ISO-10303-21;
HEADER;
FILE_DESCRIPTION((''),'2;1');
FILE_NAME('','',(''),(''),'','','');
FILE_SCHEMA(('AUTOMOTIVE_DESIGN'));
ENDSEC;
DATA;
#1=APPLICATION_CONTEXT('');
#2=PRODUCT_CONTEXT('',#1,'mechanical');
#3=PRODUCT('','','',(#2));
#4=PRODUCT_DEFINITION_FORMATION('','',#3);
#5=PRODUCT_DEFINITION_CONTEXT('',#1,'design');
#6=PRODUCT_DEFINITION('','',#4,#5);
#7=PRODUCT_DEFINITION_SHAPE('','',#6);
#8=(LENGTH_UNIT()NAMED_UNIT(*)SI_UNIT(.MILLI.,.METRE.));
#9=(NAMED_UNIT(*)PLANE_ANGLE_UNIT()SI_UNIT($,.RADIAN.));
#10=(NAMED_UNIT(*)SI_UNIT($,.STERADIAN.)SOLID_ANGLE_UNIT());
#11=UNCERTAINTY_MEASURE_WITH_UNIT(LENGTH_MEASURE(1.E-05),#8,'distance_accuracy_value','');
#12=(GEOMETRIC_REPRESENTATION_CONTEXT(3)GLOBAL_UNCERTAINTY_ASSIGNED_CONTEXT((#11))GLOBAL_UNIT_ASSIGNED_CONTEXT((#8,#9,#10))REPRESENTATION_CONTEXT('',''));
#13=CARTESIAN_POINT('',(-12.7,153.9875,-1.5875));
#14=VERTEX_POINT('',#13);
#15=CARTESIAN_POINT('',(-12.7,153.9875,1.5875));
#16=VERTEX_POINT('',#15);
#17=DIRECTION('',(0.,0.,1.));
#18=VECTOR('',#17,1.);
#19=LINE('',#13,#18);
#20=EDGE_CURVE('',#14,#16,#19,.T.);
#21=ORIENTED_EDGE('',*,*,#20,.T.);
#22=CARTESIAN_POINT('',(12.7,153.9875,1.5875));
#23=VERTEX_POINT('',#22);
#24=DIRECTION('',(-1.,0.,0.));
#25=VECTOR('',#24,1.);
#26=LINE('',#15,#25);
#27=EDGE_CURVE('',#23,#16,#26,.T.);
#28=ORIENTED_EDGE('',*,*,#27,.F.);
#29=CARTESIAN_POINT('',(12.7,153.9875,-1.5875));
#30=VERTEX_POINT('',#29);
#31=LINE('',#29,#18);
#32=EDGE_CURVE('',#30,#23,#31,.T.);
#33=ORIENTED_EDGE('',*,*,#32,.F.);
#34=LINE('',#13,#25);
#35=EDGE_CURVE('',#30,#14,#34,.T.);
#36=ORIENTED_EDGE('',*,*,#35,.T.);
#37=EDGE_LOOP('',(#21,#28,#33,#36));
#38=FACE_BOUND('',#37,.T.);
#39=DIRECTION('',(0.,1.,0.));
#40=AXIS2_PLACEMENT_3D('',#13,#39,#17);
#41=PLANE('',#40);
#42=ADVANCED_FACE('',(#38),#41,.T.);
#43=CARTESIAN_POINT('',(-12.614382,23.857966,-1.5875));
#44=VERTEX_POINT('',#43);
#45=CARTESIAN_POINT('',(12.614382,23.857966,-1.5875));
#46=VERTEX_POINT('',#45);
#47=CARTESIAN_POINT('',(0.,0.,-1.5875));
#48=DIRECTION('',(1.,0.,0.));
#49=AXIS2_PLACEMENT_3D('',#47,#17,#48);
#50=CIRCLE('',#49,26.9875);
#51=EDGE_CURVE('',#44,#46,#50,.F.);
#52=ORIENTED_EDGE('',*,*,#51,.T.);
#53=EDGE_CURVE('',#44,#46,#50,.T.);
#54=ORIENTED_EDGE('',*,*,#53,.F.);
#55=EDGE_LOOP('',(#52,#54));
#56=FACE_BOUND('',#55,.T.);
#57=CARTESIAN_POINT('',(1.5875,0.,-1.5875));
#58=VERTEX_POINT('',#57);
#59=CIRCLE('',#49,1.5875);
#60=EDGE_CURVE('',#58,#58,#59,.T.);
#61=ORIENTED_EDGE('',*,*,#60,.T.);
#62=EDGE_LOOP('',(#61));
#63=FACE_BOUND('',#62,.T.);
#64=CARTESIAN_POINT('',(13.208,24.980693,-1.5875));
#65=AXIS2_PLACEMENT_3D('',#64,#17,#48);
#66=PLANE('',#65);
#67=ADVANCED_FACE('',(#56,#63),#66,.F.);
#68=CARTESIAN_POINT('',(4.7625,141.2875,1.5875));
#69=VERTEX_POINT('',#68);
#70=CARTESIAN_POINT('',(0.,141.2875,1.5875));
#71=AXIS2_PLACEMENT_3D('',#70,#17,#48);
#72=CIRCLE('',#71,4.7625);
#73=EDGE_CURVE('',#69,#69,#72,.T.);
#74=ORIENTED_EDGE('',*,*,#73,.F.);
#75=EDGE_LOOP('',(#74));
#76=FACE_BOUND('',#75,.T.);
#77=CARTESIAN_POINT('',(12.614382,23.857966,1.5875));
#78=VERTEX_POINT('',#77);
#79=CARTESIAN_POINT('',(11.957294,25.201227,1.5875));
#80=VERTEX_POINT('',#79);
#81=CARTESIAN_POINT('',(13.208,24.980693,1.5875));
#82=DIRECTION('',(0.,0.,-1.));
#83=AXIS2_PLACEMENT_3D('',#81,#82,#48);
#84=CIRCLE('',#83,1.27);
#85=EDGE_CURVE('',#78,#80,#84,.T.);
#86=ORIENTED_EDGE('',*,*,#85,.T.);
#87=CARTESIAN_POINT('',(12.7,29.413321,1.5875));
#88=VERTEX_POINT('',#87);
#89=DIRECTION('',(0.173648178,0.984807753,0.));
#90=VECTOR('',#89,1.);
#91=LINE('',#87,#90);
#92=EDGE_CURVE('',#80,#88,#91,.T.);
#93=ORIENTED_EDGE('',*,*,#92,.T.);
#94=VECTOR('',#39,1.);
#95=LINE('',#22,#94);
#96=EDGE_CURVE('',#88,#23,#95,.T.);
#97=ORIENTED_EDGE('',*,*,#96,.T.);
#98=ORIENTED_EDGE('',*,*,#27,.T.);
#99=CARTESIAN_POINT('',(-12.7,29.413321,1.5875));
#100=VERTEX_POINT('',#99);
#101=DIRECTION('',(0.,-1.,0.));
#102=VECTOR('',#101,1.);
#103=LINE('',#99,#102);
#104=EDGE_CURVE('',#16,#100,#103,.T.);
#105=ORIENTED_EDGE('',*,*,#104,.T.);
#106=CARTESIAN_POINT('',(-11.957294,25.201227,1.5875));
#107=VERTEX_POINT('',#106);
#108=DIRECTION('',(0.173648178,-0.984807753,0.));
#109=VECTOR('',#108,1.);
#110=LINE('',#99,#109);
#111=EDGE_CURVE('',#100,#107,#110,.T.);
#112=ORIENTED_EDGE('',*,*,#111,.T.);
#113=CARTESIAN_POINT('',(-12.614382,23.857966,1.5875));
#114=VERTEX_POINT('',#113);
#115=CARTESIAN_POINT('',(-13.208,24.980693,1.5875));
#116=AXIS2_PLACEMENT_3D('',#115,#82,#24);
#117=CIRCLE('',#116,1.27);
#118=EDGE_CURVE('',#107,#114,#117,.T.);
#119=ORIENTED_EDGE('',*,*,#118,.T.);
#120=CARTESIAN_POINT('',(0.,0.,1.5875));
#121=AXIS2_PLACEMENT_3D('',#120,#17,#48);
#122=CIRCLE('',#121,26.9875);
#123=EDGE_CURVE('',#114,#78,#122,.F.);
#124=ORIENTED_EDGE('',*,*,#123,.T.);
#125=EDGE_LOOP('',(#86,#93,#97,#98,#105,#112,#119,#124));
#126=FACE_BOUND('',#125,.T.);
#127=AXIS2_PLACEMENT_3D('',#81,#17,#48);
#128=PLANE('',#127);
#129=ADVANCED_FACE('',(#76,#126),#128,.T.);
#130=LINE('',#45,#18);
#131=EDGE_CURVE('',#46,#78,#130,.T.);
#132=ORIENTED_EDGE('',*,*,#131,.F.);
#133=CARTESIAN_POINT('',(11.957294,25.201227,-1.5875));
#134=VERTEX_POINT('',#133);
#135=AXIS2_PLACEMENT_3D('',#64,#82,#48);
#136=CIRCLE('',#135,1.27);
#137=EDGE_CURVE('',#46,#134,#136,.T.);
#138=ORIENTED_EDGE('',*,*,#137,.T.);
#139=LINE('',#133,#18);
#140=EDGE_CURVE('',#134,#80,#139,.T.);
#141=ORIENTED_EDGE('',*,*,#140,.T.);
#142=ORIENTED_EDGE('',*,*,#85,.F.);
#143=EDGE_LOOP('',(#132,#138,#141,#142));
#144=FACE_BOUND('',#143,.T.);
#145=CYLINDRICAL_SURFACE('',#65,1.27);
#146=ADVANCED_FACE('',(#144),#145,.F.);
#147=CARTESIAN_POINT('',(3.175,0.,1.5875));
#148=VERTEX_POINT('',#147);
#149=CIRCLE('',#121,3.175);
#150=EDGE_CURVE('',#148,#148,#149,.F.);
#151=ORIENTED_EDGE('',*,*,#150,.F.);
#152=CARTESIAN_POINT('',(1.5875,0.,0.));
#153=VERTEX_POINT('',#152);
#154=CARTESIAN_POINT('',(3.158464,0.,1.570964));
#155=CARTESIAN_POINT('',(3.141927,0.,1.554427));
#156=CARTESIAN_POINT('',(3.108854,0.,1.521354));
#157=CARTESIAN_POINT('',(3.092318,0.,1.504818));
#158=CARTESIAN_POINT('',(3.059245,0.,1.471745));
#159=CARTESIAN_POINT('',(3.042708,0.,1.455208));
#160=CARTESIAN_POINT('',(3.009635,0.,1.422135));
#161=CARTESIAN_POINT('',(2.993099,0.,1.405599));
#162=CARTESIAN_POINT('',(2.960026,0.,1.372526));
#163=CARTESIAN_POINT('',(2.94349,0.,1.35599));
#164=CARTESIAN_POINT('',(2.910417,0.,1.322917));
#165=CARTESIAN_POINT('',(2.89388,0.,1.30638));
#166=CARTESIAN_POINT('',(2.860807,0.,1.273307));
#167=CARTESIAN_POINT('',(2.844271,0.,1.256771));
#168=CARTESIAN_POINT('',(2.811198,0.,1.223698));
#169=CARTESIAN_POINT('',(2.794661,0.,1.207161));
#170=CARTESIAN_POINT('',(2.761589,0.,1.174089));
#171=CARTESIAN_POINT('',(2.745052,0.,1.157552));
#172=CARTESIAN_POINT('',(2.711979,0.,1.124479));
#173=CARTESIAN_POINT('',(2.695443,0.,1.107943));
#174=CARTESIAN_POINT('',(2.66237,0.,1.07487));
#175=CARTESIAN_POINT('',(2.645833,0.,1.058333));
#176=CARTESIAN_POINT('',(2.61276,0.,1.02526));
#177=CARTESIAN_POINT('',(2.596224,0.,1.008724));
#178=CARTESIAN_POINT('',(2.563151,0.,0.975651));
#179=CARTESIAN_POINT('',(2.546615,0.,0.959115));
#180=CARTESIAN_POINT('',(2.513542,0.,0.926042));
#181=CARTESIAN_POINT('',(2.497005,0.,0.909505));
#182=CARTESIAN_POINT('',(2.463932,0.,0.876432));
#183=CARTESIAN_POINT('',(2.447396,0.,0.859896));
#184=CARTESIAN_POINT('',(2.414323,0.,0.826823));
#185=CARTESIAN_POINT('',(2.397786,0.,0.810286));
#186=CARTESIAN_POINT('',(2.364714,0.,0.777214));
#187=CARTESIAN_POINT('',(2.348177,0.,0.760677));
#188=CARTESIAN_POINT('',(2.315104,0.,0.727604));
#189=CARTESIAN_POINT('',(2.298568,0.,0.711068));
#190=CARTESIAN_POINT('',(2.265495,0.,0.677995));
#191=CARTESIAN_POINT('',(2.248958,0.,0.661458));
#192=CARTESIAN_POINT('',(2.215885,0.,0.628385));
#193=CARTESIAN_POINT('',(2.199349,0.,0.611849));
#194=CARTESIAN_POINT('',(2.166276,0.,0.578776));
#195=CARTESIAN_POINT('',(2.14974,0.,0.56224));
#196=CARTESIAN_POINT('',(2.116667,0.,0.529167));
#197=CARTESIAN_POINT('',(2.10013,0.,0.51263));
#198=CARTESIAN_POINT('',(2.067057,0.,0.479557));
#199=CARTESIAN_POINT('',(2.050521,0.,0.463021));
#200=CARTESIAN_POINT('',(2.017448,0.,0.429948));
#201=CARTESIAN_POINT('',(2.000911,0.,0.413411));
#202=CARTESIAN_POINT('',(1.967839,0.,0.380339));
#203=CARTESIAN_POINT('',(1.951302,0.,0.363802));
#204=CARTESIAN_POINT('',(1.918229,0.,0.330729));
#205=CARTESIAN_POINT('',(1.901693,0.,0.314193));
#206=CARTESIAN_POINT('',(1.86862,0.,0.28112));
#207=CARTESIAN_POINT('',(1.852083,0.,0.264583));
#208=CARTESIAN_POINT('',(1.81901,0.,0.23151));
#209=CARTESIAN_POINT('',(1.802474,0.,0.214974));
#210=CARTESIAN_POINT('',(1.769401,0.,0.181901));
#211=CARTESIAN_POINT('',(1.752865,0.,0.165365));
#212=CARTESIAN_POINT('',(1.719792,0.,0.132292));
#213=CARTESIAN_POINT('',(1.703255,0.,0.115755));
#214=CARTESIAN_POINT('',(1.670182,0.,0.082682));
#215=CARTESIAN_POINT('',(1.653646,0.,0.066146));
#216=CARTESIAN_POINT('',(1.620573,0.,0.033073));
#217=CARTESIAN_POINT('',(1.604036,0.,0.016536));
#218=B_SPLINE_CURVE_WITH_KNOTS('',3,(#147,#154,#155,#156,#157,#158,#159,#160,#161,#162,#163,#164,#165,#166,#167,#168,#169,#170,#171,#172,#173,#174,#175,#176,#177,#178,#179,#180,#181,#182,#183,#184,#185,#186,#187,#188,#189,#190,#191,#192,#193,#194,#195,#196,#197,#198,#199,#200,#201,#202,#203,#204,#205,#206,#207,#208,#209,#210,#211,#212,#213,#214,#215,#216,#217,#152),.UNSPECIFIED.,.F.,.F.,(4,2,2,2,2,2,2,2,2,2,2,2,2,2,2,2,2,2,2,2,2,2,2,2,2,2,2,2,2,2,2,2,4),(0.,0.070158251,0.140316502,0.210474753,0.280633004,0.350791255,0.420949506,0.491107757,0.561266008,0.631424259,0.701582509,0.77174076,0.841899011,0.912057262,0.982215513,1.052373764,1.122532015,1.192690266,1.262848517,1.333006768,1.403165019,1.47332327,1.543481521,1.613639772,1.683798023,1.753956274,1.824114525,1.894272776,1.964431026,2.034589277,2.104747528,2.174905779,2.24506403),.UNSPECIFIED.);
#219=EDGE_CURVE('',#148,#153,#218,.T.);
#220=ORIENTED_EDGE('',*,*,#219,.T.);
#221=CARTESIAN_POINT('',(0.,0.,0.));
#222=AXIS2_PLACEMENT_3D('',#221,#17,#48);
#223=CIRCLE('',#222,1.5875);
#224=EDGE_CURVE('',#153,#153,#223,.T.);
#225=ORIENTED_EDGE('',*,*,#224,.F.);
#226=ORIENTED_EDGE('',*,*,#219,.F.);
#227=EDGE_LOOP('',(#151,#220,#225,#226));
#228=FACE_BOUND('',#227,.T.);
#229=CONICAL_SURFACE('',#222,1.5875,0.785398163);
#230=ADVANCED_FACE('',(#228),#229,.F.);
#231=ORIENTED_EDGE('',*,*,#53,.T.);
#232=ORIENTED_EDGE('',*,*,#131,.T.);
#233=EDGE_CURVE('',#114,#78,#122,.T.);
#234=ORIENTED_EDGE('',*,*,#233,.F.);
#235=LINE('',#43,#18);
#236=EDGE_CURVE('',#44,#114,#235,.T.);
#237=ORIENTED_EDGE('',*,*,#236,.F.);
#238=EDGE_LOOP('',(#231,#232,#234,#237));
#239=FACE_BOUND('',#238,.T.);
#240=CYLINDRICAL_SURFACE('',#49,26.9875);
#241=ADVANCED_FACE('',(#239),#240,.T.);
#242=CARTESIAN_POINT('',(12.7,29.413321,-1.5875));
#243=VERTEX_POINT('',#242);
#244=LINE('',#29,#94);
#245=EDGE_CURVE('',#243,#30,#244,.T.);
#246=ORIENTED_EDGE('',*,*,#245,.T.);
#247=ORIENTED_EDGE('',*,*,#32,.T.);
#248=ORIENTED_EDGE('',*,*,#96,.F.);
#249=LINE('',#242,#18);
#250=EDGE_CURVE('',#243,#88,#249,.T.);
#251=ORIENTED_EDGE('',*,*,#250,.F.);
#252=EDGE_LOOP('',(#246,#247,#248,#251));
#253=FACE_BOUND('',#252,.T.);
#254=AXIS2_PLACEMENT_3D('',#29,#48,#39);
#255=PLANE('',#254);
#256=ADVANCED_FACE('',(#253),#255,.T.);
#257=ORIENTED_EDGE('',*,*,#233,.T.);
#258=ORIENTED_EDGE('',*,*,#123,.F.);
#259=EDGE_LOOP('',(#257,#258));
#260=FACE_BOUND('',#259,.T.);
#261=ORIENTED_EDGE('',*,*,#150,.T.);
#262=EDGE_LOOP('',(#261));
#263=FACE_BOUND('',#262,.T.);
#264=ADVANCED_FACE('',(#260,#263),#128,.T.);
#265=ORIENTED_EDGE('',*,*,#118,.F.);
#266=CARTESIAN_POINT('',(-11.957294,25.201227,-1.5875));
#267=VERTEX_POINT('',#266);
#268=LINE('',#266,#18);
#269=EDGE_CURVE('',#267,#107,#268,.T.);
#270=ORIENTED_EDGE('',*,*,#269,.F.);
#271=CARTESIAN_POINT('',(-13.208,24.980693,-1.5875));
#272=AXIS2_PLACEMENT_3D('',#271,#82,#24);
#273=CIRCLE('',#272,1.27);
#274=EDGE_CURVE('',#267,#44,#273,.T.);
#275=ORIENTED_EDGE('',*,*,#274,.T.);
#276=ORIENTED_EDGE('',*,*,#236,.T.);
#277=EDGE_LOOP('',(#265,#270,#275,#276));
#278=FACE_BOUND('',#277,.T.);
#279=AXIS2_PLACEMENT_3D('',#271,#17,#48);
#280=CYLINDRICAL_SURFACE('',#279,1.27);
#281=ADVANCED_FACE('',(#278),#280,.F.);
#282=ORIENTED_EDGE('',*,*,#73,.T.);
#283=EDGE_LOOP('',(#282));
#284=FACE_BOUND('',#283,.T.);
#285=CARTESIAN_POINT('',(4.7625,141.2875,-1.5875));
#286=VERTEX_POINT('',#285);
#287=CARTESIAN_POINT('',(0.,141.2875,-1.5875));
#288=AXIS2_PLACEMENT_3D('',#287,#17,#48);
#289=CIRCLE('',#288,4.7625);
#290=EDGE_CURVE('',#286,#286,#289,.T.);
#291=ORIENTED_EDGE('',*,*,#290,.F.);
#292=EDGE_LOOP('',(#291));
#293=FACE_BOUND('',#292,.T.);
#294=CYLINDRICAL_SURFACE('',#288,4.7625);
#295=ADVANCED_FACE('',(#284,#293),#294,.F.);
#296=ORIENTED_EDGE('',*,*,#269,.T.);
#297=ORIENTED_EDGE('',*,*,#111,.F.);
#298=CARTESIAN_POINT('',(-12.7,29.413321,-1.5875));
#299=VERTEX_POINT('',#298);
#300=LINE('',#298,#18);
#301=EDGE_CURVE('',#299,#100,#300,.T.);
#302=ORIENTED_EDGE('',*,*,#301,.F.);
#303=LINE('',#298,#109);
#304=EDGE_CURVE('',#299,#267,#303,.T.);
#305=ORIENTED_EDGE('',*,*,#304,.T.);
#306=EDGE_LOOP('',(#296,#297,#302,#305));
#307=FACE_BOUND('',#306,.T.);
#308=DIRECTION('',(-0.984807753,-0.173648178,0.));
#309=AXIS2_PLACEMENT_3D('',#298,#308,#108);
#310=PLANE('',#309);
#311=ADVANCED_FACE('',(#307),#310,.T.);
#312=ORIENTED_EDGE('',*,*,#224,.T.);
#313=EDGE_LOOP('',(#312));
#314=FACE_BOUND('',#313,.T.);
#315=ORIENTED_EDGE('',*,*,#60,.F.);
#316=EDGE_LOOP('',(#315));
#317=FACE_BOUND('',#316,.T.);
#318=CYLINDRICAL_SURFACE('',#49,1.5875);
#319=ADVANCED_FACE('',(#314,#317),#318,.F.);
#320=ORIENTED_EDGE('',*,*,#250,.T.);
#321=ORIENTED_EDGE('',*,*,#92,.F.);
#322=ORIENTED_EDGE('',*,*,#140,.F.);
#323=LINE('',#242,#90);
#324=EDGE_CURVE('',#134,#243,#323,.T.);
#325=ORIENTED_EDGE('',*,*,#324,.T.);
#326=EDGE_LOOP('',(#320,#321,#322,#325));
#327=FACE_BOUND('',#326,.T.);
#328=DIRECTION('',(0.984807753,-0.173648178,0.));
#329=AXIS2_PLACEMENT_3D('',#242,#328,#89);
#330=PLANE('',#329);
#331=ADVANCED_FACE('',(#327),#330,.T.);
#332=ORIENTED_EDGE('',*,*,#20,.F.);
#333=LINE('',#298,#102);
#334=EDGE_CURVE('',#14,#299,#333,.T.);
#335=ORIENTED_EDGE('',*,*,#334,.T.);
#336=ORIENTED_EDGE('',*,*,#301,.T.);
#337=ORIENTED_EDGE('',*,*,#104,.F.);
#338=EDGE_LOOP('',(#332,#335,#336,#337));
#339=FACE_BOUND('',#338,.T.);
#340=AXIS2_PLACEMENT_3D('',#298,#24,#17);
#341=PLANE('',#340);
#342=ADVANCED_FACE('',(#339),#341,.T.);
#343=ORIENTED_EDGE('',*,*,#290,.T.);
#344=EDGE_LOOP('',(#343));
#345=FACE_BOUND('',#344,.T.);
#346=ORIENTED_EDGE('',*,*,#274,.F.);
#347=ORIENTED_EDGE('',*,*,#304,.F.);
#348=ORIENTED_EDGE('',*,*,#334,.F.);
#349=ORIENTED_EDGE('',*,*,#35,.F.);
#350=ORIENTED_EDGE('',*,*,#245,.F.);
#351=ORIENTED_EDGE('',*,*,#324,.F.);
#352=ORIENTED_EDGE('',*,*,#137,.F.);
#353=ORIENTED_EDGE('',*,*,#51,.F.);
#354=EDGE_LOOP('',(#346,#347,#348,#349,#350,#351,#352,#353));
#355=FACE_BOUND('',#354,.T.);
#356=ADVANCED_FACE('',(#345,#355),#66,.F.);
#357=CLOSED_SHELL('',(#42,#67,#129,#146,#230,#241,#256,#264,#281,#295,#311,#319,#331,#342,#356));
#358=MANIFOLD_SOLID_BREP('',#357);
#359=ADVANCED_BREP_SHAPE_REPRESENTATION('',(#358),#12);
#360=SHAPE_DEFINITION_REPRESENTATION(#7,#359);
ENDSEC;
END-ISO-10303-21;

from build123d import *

# Parameters (mm, degrees)
BOSS_EXTRUDE1_DEPTH      = 1.5875
BOSS_EXTRUDE1_DEPTH_BACK = 1.5875
SKETCH3_R                = 1.5875
SKETCH3_R_2              = 4.7625
CHAMFER1_SIZE            = 1.5875


with BuildPart() as part:
    # Sketch3 → Boss-Extrude1 (new, two sides: drawn at the far end of the back side and taken through both)
    with BuildSketch(Plane.XY.offset(-BOSS_EXTRUDE1_DEPTH_BACK)):
        with BuildLine():
            Line((-12.7, 29.413320739), (-11.957294154, 25.201226576))
            ThreePointArc((-11.957294154, 25.201226576), (-12.067180073, 24.422634348), (-12.614382022, 23.857965597))
            ThreePointArc((-12.614382022, 23.857965597), (0, -26.9875), (12.614382022, 23.857965597))
            ThreePointArc((12.614382022, 23.857965597), (12.067180073, 24.422634348), (11.957294154, 25.201226576))
            Line((11.957294154, 25.201226576), (12.7, 29.413320739))
            Line((12.7, 29.413320739), (12.7, 153.9875))
            Line((12.7, 153.9875), (-12.7, 153.9875))
            Line((-12.7, 153.9875), (-12.7, 29.413320739))
        make_face()
        Circle(SKETCH3_R, mode=Mode.SUBTRACT)
        with Locations((0, 141.2875)):
            Circle(SKETCH3_R_2, mode=Mode.SUBTRACT)
    extrude(amount=BOSS_EXTRUDE1_DEPTH + BOSS_EXTRUDE1_DEPTH_BACK)

    # Chamfer1
    chamfer1_edges = [part.edges().sort_by_distance(p)[0] for p in [
        (-1.5875, 0, 1.5875),
    ]]
    chamfer(chamfer1_edges, length=CHAMFER1_SIZE)


solid = part.part
